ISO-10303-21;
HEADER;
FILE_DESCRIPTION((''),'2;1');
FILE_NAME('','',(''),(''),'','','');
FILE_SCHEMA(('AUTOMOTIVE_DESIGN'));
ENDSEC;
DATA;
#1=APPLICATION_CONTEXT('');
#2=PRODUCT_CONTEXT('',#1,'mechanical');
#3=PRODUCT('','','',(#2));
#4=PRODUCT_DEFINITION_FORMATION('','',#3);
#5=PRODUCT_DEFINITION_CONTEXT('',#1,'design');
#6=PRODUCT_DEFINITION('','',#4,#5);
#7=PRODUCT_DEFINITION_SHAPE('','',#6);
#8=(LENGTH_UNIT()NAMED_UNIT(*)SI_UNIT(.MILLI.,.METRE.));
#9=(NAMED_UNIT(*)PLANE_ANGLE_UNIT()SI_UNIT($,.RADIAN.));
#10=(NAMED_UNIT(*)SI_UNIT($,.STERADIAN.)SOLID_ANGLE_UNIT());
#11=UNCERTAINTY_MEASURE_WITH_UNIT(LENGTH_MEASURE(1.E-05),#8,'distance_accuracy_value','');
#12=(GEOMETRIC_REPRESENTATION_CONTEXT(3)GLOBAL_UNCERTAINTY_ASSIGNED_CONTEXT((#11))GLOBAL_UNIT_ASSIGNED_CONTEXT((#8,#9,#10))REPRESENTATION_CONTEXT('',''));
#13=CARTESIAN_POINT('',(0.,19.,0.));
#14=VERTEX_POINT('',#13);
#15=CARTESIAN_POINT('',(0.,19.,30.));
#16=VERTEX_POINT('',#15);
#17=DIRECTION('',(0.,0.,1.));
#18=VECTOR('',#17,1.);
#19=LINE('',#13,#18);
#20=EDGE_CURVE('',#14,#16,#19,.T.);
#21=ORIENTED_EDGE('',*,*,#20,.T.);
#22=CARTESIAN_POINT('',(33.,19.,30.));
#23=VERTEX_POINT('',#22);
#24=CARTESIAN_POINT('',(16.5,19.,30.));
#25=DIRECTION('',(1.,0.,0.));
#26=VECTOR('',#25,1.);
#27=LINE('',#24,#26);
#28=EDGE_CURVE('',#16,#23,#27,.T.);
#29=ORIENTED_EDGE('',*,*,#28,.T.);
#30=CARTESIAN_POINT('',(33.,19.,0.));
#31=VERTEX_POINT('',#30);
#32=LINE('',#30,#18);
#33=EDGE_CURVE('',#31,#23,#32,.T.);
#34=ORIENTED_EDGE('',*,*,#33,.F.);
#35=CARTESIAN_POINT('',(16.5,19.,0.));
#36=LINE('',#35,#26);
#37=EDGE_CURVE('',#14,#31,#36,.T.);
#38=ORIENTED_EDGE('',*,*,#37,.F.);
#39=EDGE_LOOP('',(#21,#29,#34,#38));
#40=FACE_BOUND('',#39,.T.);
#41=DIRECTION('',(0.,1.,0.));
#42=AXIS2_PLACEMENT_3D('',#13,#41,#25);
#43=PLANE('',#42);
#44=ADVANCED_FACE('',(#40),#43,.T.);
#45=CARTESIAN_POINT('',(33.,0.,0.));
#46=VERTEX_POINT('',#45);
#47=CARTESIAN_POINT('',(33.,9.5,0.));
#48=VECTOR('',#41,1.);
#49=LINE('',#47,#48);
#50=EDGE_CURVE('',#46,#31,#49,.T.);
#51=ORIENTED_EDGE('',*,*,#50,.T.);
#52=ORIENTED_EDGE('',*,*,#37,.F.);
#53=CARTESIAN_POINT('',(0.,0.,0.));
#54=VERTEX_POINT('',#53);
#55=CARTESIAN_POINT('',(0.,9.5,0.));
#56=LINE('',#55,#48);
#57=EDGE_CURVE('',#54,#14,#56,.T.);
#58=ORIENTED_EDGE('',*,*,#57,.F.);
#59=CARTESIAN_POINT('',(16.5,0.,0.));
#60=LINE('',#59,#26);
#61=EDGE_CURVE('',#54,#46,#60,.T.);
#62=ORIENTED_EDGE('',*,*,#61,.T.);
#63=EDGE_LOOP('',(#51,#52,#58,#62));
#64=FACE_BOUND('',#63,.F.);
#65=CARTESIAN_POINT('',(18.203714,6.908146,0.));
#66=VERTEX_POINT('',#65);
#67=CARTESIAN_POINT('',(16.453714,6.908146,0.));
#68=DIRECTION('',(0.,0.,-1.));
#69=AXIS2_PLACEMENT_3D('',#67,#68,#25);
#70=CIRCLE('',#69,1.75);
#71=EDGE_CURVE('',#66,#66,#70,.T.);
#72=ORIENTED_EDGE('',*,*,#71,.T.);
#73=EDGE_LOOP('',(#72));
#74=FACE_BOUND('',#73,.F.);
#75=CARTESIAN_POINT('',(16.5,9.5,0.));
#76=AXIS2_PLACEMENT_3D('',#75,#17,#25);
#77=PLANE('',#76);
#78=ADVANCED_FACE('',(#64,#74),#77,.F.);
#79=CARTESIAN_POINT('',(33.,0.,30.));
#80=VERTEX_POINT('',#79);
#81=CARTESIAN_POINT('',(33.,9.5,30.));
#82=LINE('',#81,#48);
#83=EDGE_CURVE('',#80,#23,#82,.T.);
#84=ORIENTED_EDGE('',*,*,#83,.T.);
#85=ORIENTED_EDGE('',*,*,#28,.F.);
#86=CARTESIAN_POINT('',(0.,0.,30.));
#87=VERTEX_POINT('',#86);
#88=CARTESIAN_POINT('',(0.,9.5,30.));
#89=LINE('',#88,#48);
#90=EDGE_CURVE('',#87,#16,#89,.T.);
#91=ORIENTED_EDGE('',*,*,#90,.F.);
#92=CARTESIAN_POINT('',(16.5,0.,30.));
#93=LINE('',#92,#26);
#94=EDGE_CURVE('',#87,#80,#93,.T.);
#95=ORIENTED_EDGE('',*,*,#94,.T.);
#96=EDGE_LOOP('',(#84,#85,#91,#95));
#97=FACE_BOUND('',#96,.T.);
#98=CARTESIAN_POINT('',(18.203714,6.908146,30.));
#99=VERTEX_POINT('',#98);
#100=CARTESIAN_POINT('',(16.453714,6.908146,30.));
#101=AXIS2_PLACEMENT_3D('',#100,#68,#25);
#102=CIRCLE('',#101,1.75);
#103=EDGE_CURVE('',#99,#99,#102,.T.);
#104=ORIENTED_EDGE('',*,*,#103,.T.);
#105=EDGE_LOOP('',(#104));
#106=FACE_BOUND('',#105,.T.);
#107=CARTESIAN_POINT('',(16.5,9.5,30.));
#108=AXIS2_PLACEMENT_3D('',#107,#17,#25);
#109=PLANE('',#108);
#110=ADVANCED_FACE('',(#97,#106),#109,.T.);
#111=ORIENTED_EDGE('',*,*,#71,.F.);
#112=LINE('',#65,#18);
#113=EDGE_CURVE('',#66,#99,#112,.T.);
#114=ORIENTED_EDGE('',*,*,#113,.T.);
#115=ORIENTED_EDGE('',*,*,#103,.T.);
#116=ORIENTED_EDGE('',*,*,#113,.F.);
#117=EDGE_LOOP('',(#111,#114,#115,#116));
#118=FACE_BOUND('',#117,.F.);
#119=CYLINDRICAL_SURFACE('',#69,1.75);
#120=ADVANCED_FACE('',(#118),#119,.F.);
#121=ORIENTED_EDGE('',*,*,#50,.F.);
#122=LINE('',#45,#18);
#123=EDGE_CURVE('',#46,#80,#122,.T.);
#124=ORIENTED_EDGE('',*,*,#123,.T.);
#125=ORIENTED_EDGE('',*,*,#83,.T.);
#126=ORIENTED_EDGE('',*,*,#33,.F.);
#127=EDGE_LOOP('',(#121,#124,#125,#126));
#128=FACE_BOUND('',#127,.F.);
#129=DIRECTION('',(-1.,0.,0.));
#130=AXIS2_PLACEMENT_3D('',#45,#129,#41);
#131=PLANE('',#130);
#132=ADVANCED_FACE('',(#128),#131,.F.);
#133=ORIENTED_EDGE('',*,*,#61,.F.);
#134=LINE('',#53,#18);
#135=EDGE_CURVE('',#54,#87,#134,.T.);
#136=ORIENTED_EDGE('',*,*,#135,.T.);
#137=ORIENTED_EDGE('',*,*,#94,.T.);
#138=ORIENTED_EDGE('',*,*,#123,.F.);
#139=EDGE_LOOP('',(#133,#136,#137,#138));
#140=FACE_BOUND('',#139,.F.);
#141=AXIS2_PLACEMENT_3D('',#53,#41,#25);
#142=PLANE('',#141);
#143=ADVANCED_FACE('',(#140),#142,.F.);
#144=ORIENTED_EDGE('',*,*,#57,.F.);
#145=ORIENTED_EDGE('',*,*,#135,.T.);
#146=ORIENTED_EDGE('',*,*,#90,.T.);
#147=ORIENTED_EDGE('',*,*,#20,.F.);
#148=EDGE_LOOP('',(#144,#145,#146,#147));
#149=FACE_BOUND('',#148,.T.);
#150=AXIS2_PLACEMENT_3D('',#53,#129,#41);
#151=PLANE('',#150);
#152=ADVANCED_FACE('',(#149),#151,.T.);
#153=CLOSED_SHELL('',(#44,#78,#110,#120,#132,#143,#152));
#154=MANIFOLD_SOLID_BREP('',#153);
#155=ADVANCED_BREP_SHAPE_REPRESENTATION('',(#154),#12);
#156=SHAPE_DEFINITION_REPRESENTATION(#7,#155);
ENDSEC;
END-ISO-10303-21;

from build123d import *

# Parameters (mm, degrees)
BOX_W      = 33
BOX_H      = 19
BOX_DEPTH  = 30
SKETCH_R   = 1.75
HOLE_DEPTH = 30.001


with BuildPart() as part:
    # Box → Box (new body)
    with BuildSketch(Plane.XY):
        with Locations((16.5, 9.5)):
            Rectangle(BOX_W, BOX_H)
    extrude(amount=BOX_DEPTH)

    # Sketch (on DatumPlane) → Hole (cut, through all)
    with BuildSketch(Plane(origin=(0, 0, 0), x_dir=(1, 0, 0), z_dir=(0, 0, -1))):
        with Locations((16.453714, -6.908146)):
            Circle(SKETCH_R)
    extrude(amount=-HOLE_DEPTH, mode=Mode.SUBTRACT)


solid = part.part
